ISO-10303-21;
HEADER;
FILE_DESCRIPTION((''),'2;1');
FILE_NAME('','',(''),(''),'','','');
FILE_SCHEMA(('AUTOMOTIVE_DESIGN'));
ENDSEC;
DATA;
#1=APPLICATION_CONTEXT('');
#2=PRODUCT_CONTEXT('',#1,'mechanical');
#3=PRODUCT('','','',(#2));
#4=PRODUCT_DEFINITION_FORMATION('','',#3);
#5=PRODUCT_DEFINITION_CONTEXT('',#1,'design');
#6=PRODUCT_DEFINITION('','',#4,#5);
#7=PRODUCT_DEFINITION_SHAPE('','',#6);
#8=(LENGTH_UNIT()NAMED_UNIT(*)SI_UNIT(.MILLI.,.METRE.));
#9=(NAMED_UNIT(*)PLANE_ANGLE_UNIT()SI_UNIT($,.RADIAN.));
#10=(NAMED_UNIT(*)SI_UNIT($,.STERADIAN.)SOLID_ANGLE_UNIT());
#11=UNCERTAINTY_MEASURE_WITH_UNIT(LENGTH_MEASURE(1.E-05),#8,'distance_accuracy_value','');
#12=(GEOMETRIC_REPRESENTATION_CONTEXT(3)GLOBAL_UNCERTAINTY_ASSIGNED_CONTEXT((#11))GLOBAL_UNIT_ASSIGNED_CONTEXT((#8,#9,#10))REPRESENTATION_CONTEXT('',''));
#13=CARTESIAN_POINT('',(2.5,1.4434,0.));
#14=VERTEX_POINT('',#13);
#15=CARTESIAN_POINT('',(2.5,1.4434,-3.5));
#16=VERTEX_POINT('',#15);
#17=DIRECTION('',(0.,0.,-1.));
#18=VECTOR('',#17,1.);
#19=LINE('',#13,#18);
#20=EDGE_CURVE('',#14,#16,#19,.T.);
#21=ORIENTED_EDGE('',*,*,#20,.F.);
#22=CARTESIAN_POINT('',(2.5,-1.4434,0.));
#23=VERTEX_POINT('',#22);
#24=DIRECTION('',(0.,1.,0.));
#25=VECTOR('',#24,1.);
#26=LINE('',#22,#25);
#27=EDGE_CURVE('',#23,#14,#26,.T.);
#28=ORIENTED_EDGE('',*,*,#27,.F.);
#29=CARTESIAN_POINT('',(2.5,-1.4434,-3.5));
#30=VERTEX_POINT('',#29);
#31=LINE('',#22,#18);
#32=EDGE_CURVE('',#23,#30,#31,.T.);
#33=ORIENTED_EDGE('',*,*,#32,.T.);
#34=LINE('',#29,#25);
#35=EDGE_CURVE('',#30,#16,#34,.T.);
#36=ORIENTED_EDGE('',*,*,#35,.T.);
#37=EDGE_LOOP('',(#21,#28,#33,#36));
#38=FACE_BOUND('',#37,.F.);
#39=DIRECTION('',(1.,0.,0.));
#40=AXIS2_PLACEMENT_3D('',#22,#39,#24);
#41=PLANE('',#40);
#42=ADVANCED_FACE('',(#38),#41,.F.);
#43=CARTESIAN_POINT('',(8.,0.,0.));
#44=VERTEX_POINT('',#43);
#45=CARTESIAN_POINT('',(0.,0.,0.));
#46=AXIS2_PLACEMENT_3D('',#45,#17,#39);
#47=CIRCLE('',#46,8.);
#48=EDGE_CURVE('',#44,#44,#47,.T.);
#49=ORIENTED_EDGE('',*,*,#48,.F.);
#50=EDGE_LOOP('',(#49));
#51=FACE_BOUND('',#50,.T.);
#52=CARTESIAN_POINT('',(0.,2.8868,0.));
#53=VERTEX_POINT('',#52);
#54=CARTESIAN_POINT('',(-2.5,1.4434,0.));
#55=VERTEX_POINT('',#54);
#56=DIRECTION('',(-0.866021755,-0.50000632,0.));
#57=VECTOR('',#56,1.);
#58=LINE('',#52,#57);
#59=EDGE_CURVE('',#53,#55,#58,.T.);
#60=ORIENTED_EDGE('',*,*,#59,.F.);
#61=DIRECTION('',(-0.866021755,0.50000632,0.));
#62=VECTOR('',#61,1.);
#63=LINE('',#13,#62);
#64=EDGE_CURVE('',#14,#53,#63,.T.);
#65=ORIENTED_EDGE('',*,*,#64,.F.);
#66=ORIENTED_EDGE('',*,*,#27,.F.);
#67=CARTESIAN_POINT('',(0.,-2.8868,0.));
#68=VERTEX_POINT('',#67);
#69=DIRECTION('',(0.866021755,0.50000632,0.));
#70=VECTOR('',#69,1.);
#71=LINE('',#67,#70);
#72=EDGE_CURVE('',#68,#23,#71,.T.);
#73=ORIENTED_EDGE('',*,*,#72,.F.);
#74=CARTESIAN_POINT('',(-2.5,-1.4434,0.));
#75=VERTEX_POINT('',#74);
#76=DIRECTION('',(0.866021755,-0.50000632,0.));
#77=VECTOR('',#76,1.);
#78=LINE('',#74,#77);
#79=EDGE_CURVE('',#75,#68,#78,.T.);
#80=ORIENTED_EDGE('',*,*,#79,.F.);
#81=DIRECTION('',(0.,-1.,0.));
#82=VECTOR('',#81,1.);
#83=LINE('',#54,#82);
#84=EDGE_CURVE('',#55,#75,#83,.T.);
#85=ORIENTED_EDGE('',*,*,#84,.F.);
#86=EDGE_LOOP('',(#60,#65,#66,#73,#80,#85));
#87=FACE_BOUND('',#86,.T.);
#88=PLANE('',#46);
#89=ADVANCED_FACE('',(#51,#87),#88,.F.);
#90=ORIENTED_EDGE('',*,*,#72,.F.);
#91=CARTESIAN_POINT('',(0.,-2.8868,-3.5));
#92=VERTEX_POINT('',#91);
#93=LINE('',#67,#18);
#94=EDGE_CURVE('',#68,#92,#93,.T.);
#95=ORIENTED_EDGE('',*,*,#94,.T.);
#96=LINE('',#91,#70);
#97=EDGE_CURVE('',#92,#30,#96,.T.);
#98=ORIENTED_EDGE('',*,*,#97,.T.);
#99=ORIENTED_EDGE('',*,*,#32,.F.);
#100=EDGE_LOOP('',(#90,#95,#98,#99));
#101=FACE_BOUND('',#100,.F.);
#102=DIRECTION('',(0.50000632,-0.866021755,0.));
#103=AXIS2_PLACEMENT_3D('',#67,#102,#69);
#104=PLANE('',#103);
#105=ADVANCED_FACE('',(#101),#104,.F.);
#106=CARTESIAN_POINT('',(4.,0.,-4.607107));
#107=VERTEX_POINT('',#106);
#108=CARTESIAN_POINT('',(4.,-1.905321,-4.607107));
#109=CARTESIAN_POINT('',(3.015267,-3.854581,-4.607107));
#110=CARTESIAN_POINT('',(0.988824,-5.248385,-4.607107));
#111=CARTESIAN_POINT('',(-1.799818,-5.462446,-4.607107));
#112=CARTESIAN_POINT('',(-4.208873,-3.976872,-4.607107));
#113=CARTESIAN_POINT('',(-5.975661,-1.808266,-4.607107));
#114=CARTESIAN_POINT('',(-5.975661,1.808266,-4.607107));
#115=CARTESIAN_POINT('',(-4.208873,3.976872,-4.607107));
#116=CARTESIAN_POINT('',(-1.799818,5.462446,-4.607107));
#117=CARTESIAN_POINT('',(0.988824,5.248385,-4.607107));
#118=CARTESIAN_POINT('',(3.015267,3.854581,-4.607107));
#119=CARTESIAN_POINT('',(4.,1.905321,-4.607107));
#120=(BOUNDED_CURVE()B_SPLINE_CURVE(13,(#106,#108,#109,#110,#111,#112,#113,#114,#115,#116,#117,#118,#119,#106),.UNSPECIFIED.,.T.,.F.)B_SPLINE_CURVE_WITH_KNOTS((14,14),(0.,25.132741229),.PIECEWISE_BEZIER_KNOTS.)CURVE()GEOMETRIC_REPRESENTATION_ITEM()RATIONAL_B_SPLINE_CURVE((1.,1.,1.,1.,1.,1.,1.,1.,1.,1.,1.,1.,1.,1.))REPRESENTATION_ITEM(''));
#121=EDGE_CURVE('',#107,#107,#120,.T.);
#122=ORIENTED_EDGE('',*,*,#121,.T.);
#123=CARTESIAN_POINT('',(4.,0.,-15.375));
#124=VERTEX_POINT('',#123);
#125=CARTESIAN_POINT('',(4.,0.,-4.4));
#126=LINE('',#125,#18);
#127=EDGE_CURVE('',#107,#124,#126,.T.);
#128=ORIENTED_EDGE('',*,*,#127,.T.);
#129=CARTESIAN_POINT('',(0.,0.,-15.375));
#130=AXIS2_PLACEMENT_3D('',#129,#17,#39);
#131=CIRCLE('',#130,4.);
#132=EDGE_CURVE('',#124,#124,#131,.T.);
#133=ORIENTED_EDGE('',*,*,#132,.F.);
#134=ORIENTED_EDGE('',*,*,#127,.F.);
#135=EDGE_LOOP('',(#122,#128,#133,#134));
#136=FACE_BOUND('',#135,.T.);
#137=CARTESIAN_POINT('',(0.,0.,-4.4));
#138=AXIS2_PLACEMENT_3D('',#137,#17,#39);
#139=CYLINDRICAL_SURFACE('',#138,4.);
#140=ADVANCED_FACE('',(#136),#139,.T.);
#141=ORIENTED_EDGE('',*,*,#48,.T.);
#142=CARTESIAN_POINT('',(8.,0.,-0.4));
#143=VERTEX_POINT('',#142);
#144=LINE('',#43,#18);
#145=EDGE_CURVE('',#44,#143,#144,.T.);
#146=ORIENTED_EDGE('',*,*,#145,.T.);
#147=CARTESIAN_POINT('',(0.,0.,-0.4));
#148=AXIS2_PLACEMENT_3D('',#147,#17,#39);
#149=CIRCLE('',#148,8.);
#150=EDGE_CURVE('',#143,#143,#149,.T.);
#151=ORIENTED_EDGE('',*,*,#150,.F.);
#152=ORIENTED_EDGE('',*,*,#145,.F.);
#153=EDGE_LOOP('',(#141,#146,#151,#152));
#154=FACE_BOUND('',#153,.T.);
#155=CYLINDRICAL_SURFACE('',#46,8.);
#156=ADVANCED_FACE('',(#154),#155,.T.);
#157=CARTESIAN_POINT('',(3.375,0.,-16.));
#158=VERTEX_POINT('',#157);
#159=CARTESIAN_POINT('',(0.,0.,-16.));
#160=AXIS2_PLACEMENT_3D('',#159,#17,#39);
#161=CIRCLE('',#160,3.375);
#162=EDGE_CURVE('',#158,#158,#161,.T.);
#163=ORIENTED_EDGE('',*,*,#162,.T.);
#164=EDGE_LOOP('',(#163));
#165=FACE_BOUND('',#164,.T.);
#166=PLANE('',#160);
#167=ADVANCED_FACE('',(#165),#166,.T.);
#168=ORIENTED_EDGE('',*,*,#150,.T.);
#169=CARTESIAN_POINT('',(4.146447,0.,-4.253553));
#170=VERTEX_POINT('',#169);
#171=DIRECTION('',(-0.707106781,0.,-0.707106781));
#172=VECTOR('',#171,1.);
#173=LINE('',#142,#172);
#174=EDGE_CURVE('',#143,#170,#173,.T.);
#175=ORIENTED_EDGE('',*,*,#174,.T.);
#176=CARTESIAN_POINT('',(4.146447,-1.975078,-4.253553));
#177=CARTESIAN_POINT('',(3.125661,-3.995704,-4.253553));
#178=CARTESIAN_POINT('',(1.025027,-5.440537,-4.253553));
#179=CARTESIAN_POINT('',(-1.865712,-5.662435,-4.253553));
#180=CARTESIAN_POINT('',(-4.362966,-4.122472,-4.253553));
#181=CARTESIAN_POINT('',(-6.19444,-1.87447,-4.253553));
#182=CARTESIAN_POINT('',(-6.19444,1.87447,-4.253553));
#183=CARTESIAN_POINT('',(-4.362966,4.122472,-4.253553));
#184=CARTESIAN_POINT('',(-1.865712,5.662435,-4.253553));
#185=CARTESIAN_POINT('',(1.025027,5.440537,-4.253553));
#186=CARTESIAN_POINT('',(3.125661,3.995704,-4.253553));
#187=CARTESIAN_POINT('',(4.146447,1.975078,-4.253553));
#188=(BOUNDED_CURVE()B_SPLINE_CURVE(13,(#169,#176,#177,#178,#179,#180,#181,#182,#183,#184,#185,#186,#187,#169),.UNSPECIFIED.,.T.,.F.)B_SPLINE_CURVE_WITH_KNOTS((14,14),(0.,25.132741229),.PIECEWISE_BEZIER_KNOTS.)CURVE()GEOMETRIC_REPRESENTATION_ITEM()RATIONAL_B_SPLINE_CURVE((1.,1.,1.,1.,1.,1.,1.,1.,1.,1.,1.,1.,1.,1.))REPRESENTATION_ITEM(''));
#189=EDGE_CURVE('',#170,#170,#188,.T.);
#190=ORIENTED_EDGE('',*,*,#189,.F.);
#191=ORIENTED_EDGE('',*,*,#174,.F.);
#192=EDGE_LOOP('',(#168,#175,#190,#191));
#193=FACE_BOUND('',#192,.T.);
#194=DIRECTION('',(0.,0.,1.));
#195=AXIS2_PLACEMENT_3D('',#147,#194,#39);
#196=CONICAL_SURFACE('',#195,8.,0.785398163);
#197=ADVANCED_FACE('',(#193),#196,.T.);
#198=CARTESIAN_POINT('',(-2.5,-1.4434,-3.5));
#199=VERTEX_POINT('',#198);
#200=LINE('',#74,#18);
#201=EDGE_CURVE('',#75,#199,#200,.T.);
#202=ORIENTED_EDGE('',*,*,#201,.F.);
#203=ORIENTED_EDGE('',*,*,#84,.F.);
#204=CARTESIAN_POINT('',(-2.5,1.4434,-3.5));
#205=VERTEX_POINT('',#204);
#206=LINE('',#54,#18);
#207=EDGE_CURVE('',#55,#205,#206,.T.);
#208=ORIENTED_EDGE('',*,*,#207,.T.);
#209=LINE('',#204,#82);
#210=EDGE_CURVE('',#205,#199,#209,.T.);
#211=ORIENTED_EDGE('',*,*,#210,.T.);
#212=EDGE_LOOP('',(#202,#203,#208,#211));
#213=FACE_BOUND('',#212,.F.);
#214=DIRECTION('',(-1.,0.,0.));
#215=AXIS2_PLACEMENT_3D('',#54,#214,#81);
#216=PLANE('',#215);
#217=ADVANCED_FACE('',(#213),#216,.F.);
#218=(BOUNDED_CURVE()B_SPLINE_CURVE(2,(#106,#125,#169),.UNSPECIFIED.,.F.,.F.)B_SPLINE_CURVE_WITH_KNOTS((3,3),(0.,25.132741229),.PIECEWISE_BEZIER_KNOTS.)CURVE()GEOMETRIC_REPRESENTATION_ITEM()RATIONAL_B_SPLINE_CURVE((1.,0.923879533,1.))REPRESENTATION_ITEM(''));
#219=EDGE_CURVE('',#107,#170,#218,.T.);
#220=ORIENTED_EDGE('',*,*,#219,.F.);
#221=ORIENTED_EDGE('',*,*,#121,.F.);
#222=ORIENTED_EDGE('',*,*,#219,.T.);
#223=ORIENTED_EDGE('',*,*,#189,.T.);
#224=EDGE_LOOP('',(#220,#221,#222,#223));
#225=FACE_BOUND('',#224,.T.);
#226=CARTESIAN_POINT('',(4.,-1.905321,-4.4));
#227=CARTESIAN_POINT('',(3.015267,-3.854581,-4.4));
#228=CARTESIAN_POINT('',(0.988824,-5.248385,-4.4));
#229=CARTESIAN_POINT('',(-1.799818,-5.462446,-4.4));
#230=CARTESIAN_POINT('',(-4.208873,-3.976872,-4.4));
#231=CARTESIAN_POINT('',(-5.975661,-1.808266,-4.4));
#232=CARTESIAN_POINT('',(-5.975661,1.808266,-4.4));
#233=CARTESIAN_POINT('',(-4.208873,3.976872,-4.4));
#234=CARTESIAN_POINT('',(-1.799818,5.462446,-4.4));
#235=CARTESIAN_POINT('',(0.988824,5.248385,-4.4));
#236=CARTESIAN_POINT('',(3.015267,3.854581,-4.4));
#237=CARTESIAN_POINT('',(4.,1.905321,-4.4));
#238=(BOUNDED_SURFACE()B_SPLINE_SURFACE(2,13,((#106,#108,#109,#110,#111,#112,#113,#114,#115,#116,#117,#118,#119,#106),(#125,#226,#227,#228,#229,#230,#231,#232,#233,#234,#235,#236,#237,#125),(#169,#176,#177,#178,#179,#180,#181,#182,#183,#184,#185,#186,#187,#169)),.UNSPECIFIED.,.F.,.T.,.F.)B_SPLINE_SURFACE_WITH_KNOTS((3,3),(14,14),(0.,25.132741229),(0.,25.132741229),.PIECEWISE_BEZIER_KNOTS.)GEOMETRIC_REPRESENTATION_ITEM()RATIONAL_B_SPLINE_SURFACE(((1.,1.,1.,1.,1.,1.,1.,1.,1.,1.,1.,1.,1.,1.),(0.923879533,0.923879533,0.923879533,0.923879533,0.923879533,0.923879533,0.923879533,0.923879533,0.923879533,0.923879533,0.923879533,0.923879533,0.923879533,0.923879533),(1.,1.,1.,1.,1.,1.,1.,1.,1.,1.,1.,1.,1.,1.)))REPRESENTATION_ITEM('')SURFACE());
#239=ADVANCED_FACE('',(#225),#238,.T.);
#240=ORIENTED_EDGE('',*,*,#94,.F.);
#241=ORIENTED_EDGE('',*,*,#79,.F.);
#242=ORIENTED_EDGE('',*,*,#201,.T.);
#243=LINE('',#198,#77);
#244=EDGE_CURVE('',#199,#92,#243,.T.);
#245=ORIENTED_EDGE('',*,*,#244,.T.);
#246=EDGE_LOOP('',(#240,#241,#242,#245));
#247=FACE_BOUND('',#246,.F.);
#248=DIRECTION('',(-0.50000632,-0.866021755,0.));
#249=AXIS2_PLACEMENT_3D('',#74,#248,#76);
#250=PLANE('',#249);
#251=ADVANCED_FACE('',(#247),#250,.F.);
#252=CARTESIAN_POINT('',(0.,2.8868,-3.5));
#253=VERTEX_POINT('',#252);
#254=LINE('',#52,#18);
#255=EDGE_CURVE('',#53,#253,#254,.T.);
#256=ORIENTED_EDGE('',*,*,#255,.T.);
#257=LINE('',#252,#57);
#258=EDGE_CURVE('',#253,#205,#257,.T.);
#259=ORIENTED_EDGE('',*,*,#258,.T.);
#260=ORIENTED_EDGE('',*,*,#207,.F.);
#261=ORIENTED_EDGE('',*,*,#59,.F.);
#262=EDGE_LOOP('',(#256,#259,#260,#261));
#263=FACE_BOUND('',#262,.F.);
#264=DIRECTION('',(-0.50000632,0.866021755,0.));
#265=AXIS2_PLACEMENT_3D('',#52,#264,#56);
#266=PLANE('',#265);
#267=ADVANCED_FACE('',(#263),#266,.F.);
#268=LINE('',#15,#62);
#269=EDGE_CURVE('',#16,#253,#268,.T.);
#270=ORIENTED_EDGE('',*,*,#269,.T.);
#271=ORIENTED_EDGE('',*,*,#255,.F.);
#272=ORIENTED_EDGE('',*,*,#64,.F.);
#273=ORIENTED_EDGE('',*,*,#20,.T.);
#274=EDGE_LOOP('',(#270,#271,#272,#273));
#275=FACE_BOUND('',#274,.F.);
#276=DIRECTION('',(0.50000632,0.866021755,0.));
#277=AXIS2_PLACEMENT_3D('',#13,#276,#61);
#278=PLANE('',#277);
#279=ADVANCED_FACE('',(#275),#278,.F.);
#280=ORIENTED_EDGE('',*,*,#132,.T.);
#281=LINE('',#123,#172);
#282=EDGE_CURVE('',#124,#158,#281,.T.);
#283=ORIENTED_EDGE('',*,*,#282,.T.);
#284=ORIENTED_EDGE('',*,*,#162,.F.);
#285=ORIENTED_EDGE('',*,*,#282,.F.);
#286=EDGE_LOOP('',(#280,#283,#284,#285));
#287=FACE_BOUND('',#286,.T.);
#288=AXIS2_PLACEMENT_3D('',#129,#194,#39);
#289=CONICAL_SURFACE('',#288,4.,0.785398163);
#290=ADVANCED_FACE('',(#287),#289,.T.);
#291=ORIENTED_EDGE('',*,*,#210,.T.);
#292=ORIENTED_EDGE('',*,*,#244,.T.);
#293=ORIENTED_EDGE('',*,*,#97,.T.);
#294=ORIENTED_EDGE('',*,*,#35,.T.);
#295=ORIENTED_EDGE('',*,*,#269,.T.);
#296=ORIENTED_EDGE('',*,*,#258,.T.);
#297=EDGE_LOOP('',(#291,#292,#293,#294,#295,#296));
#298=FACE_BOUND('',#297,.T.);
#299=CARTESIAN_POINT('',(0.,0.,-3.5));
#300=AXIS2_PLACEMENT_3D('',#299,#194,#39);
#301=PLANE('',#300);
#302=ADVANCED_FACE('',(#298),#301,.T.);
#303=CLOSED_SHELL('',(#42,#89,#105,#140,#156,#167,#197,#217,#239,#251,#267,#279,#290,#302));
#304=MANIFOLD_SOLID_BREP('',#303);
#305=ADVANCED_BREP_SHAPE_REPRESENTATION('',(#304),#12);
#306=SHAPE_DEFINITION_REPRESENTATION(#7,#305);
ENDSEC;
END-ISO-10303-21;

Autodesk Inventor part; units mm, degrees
ref_plane "YZ Plane" through (0, 0, 0) normal (1, 0, 0) x (0, 1, 0)
sketch "Skizze1" plane through (0, 0, 0) normal (0, 1, 0) x (-1, 0, 0)
  point P0 (0, 0)
sketch "Skizze2" plane through (0, 0, 0) normal (0, 1, 0) x (-1, 0, 0)
  line L0 (-4, -16) -> (0, -16)
  line L1 (-4, -4.4) -> (-4, -16)
  line L2 (-8, -0.4) -> (-4, -4.4)
  line L3 (-8, 0) -> (-8, -0.4)
  line L4 (0, 0) -> (-8, 0)
  line L5 (0, -16) -> (0, 0)
  line L6 (0, -16) -> (0, 0)
  line L7 (0, -19.2) -> (0, 3.2) projected
  line L8 (1.6, 0) -> (-9.6, 0) projected
  dimension "d3" = 8
  dimension "d5" = 4
  dimension "d7" = 16
  dimension "ParC" = 0.4
  dimension "d22" = 0
  dimension "d23" = 0
  dimension "d43" = 45
revolve "Drehung1" add sketch "Skizze2" angle 360 about axis through (0, 0, -16) along (0, 0, -1)
sketch "Skizze3" plane through (0, 0, 0) normal (0, 0, 1) x (1, 0, 0)
  line L0 (-2.5, 1.4434) -> (-2.5, -1.4434)
  line L1 (0, 2.8868) -> (-2.5, 1.4434)
  line L2 (2.5, 1.4434) -> (0, 2.8868)
  line L3 (2.5, -1.4434) -> (2.5, 1.4434)
  line L4 (0, -2.8868) -> (2.5, -1.4434)
  line L5 (-2.5, -1.4434) -> (0, -2.8868)
  circle A0 centre (0, 0) radius 2.5 construction
  circle A1 centre (0, 0) radius 4 construction
  dimension "d11" = 5
  dimension "d13" = 120
  dimension "d15" = 120
extrude "Extrusion1" cut sketch "Skizze3" against normal blind 3.5
fillet "Rundung1" radius 0.5 1 edges at (-4, 0, -4.4)
chamfer "Fase1" distance 0.625 angle 45 1 edges at (-4, 0, -16) measured on face at (-0.9596, 3.8832, -12.2024)
thread "Gewinde1" size "M8x1.25" class "6g" standard "ISO Metric profile" length 9.1
ref_plane "MSC_PF1" through (0, 0, 0) normal (1, 0, 0) x (0, 1, 0)
ref_plane "MSC_PT1" through (0, 0, 0) normal (0, 0, -1) x (-1, 0, 0)
equation "\"d19\" = 0.5 * PTC"
equation "\"d39\" = 0.5 * PTC"
equation "\"d3\" = 0.5 * dk"
equation "\"d5\" = 0.5 * NND"
equation "\"d7\" = NLG"
equation "\"d43\" = 0.5 * ang"
equation "\"d11\" = ParS"
equation "\"d16\" = ParT"
equation "\"d18\" = r"
equation "\"NND\" = 8"
equation "\"PTC\" = 1.25"
equation "\"dk\" = 16"
equation "\"ParK\" = 4.4"
equation "\"ParS\" = 5"
equation "\"ParT\" = 3.5"
equation "\"r\" = 0.5"
equation "\"NLG\" = 16"
equation "\"ang\" = 90deg"
equation "\"THREADDIA\" = NND"
properties part number "DIN 7991 - M8x16" material "Stahl, weich"
